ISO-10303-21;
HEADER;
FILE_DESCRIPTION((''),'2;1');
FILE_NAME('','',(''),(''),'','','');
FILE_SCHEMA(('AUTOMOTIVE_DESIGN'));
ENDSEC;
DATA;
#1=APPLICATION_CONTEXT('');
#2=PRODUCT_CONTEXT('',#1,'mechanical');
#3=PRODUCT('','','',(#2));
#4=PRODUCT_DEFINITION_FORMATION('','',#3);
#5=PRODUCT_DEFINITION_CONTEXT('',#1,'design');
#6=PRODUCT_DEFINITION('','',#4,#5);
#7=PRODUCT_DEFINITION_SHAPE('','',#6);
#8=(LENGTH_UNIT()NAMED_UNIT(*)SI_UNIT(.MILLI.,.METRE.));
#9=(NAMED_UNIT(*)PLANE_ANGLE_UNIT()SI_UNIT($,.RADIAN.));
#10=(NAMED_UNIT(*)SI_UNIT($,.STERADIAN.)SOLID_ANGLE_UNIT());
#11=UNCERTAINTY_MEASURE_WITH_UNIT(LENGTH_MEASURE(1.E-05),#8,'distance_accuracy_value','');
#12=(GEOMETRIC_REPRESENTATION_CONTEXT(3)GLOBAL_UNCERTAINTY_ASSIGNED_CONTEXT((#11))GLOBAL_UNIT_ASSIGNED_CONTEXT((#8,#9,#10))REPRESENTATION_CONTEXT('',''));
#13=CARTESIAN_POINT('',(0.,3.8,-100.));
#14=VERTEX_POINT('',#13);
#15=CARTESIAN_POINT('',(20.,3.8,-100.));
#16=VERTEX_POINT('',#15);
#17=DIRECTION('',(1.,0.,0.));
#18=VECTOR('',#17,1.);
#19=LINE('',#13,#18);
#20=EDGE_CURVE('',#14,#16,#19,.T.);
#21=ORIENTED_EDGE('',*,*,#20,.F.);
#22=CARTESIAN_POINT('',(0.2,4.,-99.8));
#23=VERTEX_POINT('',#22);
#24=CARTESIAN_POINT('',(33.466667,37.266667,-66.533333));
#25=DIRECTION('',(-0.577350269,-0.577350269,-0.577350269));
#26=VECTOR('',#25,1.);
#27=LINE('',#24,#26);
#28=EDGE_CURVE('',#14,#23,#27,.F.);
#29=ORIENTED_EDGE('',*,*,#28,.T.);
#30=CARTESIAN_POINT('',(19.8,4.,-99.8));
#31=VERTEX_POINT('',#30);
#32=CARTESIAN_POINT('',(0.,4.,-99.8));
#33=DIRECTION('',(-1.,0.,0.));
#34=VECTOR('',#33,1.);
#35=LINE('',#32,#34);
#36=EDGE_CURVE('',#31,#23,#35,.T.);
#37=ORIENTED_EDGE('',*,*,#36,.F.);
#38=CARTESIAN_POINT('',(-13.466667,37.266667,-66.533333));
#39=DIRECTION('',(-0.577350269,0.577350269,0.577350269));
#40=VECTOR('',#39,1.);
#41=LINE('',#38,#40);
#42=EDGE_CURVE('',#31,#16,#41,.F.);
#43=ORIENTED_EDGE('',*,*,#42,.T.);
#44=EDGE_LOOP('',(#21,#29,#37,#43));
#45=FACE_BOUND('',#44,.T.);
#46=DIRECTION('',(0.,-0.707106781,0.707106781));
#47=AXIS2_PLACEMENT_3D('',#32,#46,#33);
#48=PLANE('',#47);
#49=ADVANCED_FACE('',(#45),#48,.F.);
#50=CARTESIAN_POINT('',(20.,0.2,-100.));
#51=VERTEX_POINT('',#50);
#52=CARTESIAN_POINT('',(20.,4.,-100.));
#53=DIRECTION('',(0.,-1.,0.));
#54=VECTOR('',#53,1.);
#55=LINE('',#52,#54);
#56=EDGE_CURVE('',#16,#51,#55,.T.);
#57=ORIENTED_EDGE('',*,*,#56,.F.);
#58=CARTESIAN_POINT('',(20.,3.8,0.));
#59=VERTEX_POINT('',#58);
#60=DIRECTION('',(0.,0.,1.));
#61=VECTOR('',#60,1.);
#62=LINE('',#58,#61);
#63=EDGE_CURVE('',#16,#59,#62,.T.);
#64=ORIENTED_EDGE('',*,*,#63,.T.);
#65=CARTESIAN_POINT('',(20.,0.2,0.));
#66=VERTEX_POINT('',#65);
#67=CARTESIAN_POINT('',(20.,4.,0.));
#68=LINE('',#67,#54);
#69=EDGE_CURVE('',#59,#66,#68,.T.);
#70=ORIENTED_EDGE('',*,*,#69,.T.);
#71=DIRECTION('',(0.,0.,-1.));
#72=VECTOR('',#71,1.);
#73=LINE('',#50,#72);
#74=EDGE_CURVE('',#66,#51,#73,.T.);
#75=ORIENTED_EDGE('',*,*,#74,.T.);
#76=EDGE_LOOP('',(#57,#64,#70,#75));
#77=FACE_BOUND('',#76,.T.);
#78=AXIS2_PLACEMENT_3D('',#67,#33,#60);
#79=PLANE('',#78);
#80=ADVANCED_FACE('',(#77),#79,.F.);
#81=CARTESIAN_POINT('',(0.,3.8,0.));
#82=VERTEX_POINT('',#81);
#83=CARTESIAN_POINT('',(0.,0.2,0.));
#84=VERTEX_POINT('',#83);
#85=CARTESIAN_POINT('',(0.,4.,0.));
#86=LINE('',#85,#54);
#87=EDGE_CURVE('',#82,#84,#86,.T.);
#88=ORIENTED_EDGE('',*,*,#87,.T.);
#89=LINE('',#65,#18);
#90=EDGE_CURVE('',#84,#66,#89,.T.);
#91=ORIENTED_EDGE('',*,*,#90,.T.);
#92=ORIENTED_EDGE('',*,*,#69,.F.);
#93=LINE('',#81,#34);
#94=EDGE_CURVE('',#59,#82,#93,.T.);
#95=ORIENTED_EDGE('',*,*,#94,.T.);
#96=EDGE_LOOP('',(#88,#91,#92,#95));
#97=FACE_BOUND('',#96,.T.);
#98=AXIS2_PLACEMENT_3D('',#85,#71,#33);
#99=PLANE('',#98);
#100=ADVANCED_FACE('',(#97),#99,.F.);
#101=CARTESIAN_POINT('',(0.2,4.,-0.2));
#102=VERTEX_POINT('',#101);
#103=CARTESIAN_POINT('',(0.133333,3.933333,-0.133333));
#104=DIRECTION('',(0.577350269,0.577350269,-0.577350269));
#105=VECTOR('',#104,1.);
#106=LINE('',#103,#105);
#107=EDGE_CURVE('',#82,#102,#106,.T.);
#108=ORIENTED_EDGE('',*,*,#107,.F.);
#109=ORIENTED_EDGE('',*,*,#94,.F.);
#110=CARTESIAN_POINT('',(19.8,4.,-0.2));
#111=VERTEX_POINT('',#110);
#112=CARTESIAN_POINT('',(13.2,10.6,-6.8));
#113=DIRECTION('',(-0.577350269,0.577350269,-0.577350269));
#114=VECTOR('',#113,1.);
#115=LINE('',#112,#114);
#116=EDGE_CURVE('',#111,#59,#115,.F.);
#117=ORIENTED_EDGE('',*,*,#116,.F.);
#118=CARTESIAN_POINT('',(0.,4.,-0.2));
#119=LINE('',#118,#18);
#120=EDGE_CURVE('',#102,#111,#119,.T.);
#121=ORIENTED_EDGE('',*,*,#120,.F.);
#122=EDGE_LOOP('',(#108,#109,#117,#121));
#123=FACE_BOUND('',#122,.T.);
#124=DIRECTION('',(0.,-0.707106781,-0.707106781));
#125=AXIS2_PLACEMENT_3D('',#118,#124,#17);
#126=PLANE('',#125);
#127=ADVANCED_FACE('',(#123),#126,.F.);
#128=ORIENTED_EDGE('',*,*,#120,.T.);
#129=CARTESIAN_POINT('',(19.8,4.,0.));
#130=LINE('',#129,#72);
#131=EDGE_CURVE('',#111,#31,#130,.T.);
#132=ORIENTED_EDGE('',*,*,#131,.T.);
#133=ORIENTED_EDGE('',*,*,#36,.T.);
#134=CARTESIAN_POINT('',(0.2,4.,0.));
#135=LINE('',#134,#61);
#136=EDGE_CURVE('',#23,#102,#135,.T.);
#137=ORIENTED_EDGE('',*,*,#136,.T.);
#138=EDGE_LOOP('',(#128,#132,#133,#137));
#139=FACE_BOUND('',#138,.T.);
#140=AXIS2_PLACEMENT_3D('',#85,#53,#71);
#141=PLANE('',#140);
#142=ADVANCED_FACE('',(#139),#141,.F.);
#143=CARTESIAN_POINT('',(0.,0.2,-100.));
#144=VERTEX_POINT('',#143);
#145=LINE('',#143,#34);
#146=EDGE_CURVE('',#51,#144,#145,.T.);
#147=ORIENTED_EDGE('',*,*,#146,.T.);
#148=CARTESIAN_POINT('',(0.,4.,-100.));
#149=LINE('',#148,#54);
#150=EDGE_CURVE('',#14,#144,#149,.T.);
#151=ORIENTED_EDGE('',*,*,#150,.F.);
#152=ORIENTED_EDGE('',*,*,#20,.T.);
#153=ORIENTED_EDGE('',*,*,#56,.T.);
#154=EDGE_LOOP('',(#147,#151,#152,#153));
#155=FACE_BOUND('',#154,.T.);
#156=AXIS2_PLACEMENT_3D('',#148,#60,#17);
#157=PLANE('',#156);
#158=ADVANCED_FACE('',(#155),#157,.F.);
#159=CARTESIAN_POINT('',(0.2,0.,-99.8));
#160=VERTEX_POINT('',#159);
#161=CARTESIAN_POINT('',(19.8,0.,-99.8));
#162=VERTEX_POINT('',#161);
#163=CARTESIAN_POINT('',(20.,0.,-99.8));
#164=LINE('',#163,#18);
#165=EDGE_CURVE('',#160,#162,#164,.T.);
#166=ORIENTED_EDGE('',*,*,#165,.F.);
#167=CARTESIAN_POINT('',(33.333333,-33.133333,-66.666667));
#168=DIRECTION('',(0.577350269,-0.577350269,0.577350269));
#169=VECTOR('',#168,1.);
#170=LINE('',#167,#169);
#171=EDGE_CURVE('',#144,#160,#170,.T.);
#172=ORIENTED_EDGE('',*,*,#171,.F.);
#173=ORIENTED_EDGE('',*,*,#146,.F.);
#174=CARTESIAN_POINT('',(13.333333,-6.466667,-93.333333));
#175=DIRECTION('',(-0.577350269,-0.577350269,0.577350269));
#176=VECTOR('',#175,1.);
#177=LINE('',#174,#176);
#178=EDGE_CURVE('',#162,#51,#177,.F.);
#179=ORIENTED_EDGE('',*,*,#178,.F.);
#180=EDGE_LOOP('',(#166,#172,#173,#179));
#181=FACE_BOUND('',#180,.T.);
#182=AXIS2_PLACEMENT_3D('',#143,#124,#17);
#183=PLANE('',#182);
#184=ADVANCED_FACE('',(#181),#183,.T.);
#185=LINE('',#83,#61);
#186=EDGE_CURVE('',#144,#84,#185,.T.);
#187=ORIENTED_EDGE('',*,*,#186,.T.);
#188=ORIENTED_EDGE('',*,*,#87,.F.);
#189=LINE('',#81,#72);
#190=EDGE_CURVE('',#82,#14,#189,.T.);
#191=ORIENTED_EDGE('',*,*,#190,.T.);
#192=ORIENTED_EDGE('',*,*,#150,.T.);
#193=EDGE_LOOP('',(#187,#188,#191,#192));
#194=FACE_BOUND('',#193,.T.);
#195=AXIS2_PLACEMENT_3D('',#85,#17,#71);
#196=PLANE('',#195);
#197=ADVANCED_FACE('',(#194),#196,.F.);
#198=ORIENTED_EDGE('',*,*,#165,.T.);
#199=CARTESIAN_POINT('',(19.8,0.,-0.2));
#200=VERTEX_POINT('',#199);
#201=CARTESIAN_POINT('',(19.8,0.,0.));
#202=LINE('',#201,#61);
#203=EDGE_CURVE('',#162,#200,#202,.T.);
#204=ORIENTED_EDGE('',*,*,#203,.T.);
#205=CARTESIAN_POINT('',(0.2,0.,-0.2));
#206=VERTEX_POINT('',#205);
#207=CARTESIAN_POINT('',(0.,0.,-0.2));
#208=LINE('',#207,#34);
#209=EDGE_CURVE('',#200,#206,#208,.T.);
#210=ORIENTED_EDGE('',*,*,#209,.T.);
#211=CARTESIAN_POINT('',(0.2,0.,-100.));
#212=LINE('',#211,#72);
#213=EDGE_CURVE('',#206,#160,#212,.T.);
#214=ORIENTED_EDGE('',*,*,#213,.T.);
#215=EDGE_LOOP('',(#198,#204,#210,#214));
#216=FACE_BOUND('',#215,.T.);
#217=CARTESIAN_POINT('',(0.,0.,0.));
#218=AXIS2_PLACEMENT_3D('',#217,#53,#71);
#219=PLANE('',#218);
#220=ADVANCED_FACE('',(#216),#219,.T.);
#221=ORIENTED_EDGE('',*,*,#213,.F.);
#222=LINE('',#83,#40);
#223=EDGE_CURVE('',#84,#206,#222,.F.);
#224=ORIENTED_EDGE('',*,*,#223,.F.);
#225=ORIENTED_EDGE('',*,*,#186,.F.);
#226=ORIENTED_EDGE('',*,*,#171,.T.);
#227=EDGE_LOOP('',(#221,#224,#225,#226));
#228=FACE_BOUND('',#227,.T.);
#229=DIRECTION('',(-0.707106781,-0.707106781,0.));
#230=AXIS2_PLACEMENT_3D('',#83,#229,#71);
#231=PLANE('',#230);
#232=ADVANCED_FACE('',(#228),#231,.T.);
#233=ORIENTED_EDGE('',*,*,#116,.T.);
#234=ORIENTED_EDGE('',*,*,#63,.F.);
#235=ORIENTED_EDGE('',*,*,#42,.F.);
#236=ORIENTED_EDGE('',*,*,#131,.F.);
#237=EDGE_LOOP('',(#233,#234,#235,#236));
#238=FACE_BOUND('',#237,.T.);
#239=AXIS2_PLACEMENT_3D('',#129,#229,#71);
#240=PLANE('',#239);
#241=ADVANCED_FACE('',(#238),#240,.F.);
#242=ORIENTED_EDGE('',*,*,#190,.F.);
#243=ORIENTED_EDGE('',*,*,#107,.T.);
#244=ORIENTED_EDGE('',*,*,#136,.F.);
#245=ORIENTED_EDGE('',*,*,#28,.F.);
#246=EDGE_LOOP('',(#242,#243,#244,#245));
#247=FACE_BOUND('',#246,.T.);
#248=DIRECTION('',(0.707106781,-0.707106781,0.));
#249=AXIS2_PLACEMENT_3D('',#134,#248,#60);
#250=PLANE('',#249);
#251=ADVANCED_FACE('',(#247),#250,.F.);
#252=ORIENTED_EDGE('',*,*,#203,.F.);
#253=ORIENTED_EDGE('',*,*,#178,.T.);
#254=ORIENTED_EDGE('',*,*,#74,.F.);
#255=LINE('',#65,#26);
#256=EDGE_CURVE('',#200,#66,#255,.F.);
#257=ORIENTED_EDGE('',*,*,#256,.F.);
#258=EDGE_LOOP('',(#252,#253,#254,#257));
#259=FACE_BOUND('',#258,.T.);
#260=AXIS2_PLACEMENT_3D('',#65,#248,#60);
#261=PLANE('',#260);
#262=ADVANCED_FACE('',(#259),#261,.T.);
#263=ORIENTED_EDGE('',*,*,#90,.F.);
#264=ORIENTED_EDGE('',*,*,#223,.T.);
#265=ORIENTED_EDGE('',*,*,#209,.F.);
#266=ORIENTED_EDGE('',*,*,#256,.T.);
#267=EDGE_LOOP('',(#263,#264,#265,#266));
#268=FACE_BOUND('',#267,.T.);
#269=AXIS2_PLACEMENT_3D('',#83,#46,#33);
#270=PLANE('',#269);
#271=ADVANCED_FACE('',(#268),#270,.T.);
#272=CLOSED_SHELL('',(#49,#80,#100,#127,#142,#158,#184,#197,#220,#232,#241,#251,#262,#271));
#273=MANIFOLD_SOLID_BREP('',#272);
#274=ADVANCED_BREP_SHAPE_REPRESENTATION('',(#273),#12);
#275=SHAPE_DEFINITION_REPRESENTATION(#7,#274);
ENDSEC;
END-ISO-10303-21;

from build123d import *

# Parameters (mm, degrees)
SKETCH_1_W      = 20
SKETCH_1_H      = 100
EXTRUDE_1_DEPTH = 4
CHAMFER_1_SIZE  = 0.2


with BuildPart() as part:
    # 草图1 → 凸台-拉伸1 (new body)
    with BuildSketch(Plane(origin=(0, 0, 0), x_dir=(1, 0, 0), z_dir=(0, 1, 0))):
        with Locations((10, 50)):
            Rectangle(SKETCH_1_W, SKETCH_1_H)
    extrude(amount=EXTRUDE_1_DEPTH)

    # 倒角1
    chamfer_1_edges = [part.edges().sort_by_distance(p)[0] for p in [
        (20, 4, -50),
        (10, 4, -100),
        (0, 4, -50),
        (10, 0, -100),
        (20, 0, -50),
        (10, 0, 0),
        (0, 0, -50),
        (10, 4, 0),
    ]]
    chamfer(chamfer_1_edges, length=CHAMFER_1_SIZE)


solid = part.part
